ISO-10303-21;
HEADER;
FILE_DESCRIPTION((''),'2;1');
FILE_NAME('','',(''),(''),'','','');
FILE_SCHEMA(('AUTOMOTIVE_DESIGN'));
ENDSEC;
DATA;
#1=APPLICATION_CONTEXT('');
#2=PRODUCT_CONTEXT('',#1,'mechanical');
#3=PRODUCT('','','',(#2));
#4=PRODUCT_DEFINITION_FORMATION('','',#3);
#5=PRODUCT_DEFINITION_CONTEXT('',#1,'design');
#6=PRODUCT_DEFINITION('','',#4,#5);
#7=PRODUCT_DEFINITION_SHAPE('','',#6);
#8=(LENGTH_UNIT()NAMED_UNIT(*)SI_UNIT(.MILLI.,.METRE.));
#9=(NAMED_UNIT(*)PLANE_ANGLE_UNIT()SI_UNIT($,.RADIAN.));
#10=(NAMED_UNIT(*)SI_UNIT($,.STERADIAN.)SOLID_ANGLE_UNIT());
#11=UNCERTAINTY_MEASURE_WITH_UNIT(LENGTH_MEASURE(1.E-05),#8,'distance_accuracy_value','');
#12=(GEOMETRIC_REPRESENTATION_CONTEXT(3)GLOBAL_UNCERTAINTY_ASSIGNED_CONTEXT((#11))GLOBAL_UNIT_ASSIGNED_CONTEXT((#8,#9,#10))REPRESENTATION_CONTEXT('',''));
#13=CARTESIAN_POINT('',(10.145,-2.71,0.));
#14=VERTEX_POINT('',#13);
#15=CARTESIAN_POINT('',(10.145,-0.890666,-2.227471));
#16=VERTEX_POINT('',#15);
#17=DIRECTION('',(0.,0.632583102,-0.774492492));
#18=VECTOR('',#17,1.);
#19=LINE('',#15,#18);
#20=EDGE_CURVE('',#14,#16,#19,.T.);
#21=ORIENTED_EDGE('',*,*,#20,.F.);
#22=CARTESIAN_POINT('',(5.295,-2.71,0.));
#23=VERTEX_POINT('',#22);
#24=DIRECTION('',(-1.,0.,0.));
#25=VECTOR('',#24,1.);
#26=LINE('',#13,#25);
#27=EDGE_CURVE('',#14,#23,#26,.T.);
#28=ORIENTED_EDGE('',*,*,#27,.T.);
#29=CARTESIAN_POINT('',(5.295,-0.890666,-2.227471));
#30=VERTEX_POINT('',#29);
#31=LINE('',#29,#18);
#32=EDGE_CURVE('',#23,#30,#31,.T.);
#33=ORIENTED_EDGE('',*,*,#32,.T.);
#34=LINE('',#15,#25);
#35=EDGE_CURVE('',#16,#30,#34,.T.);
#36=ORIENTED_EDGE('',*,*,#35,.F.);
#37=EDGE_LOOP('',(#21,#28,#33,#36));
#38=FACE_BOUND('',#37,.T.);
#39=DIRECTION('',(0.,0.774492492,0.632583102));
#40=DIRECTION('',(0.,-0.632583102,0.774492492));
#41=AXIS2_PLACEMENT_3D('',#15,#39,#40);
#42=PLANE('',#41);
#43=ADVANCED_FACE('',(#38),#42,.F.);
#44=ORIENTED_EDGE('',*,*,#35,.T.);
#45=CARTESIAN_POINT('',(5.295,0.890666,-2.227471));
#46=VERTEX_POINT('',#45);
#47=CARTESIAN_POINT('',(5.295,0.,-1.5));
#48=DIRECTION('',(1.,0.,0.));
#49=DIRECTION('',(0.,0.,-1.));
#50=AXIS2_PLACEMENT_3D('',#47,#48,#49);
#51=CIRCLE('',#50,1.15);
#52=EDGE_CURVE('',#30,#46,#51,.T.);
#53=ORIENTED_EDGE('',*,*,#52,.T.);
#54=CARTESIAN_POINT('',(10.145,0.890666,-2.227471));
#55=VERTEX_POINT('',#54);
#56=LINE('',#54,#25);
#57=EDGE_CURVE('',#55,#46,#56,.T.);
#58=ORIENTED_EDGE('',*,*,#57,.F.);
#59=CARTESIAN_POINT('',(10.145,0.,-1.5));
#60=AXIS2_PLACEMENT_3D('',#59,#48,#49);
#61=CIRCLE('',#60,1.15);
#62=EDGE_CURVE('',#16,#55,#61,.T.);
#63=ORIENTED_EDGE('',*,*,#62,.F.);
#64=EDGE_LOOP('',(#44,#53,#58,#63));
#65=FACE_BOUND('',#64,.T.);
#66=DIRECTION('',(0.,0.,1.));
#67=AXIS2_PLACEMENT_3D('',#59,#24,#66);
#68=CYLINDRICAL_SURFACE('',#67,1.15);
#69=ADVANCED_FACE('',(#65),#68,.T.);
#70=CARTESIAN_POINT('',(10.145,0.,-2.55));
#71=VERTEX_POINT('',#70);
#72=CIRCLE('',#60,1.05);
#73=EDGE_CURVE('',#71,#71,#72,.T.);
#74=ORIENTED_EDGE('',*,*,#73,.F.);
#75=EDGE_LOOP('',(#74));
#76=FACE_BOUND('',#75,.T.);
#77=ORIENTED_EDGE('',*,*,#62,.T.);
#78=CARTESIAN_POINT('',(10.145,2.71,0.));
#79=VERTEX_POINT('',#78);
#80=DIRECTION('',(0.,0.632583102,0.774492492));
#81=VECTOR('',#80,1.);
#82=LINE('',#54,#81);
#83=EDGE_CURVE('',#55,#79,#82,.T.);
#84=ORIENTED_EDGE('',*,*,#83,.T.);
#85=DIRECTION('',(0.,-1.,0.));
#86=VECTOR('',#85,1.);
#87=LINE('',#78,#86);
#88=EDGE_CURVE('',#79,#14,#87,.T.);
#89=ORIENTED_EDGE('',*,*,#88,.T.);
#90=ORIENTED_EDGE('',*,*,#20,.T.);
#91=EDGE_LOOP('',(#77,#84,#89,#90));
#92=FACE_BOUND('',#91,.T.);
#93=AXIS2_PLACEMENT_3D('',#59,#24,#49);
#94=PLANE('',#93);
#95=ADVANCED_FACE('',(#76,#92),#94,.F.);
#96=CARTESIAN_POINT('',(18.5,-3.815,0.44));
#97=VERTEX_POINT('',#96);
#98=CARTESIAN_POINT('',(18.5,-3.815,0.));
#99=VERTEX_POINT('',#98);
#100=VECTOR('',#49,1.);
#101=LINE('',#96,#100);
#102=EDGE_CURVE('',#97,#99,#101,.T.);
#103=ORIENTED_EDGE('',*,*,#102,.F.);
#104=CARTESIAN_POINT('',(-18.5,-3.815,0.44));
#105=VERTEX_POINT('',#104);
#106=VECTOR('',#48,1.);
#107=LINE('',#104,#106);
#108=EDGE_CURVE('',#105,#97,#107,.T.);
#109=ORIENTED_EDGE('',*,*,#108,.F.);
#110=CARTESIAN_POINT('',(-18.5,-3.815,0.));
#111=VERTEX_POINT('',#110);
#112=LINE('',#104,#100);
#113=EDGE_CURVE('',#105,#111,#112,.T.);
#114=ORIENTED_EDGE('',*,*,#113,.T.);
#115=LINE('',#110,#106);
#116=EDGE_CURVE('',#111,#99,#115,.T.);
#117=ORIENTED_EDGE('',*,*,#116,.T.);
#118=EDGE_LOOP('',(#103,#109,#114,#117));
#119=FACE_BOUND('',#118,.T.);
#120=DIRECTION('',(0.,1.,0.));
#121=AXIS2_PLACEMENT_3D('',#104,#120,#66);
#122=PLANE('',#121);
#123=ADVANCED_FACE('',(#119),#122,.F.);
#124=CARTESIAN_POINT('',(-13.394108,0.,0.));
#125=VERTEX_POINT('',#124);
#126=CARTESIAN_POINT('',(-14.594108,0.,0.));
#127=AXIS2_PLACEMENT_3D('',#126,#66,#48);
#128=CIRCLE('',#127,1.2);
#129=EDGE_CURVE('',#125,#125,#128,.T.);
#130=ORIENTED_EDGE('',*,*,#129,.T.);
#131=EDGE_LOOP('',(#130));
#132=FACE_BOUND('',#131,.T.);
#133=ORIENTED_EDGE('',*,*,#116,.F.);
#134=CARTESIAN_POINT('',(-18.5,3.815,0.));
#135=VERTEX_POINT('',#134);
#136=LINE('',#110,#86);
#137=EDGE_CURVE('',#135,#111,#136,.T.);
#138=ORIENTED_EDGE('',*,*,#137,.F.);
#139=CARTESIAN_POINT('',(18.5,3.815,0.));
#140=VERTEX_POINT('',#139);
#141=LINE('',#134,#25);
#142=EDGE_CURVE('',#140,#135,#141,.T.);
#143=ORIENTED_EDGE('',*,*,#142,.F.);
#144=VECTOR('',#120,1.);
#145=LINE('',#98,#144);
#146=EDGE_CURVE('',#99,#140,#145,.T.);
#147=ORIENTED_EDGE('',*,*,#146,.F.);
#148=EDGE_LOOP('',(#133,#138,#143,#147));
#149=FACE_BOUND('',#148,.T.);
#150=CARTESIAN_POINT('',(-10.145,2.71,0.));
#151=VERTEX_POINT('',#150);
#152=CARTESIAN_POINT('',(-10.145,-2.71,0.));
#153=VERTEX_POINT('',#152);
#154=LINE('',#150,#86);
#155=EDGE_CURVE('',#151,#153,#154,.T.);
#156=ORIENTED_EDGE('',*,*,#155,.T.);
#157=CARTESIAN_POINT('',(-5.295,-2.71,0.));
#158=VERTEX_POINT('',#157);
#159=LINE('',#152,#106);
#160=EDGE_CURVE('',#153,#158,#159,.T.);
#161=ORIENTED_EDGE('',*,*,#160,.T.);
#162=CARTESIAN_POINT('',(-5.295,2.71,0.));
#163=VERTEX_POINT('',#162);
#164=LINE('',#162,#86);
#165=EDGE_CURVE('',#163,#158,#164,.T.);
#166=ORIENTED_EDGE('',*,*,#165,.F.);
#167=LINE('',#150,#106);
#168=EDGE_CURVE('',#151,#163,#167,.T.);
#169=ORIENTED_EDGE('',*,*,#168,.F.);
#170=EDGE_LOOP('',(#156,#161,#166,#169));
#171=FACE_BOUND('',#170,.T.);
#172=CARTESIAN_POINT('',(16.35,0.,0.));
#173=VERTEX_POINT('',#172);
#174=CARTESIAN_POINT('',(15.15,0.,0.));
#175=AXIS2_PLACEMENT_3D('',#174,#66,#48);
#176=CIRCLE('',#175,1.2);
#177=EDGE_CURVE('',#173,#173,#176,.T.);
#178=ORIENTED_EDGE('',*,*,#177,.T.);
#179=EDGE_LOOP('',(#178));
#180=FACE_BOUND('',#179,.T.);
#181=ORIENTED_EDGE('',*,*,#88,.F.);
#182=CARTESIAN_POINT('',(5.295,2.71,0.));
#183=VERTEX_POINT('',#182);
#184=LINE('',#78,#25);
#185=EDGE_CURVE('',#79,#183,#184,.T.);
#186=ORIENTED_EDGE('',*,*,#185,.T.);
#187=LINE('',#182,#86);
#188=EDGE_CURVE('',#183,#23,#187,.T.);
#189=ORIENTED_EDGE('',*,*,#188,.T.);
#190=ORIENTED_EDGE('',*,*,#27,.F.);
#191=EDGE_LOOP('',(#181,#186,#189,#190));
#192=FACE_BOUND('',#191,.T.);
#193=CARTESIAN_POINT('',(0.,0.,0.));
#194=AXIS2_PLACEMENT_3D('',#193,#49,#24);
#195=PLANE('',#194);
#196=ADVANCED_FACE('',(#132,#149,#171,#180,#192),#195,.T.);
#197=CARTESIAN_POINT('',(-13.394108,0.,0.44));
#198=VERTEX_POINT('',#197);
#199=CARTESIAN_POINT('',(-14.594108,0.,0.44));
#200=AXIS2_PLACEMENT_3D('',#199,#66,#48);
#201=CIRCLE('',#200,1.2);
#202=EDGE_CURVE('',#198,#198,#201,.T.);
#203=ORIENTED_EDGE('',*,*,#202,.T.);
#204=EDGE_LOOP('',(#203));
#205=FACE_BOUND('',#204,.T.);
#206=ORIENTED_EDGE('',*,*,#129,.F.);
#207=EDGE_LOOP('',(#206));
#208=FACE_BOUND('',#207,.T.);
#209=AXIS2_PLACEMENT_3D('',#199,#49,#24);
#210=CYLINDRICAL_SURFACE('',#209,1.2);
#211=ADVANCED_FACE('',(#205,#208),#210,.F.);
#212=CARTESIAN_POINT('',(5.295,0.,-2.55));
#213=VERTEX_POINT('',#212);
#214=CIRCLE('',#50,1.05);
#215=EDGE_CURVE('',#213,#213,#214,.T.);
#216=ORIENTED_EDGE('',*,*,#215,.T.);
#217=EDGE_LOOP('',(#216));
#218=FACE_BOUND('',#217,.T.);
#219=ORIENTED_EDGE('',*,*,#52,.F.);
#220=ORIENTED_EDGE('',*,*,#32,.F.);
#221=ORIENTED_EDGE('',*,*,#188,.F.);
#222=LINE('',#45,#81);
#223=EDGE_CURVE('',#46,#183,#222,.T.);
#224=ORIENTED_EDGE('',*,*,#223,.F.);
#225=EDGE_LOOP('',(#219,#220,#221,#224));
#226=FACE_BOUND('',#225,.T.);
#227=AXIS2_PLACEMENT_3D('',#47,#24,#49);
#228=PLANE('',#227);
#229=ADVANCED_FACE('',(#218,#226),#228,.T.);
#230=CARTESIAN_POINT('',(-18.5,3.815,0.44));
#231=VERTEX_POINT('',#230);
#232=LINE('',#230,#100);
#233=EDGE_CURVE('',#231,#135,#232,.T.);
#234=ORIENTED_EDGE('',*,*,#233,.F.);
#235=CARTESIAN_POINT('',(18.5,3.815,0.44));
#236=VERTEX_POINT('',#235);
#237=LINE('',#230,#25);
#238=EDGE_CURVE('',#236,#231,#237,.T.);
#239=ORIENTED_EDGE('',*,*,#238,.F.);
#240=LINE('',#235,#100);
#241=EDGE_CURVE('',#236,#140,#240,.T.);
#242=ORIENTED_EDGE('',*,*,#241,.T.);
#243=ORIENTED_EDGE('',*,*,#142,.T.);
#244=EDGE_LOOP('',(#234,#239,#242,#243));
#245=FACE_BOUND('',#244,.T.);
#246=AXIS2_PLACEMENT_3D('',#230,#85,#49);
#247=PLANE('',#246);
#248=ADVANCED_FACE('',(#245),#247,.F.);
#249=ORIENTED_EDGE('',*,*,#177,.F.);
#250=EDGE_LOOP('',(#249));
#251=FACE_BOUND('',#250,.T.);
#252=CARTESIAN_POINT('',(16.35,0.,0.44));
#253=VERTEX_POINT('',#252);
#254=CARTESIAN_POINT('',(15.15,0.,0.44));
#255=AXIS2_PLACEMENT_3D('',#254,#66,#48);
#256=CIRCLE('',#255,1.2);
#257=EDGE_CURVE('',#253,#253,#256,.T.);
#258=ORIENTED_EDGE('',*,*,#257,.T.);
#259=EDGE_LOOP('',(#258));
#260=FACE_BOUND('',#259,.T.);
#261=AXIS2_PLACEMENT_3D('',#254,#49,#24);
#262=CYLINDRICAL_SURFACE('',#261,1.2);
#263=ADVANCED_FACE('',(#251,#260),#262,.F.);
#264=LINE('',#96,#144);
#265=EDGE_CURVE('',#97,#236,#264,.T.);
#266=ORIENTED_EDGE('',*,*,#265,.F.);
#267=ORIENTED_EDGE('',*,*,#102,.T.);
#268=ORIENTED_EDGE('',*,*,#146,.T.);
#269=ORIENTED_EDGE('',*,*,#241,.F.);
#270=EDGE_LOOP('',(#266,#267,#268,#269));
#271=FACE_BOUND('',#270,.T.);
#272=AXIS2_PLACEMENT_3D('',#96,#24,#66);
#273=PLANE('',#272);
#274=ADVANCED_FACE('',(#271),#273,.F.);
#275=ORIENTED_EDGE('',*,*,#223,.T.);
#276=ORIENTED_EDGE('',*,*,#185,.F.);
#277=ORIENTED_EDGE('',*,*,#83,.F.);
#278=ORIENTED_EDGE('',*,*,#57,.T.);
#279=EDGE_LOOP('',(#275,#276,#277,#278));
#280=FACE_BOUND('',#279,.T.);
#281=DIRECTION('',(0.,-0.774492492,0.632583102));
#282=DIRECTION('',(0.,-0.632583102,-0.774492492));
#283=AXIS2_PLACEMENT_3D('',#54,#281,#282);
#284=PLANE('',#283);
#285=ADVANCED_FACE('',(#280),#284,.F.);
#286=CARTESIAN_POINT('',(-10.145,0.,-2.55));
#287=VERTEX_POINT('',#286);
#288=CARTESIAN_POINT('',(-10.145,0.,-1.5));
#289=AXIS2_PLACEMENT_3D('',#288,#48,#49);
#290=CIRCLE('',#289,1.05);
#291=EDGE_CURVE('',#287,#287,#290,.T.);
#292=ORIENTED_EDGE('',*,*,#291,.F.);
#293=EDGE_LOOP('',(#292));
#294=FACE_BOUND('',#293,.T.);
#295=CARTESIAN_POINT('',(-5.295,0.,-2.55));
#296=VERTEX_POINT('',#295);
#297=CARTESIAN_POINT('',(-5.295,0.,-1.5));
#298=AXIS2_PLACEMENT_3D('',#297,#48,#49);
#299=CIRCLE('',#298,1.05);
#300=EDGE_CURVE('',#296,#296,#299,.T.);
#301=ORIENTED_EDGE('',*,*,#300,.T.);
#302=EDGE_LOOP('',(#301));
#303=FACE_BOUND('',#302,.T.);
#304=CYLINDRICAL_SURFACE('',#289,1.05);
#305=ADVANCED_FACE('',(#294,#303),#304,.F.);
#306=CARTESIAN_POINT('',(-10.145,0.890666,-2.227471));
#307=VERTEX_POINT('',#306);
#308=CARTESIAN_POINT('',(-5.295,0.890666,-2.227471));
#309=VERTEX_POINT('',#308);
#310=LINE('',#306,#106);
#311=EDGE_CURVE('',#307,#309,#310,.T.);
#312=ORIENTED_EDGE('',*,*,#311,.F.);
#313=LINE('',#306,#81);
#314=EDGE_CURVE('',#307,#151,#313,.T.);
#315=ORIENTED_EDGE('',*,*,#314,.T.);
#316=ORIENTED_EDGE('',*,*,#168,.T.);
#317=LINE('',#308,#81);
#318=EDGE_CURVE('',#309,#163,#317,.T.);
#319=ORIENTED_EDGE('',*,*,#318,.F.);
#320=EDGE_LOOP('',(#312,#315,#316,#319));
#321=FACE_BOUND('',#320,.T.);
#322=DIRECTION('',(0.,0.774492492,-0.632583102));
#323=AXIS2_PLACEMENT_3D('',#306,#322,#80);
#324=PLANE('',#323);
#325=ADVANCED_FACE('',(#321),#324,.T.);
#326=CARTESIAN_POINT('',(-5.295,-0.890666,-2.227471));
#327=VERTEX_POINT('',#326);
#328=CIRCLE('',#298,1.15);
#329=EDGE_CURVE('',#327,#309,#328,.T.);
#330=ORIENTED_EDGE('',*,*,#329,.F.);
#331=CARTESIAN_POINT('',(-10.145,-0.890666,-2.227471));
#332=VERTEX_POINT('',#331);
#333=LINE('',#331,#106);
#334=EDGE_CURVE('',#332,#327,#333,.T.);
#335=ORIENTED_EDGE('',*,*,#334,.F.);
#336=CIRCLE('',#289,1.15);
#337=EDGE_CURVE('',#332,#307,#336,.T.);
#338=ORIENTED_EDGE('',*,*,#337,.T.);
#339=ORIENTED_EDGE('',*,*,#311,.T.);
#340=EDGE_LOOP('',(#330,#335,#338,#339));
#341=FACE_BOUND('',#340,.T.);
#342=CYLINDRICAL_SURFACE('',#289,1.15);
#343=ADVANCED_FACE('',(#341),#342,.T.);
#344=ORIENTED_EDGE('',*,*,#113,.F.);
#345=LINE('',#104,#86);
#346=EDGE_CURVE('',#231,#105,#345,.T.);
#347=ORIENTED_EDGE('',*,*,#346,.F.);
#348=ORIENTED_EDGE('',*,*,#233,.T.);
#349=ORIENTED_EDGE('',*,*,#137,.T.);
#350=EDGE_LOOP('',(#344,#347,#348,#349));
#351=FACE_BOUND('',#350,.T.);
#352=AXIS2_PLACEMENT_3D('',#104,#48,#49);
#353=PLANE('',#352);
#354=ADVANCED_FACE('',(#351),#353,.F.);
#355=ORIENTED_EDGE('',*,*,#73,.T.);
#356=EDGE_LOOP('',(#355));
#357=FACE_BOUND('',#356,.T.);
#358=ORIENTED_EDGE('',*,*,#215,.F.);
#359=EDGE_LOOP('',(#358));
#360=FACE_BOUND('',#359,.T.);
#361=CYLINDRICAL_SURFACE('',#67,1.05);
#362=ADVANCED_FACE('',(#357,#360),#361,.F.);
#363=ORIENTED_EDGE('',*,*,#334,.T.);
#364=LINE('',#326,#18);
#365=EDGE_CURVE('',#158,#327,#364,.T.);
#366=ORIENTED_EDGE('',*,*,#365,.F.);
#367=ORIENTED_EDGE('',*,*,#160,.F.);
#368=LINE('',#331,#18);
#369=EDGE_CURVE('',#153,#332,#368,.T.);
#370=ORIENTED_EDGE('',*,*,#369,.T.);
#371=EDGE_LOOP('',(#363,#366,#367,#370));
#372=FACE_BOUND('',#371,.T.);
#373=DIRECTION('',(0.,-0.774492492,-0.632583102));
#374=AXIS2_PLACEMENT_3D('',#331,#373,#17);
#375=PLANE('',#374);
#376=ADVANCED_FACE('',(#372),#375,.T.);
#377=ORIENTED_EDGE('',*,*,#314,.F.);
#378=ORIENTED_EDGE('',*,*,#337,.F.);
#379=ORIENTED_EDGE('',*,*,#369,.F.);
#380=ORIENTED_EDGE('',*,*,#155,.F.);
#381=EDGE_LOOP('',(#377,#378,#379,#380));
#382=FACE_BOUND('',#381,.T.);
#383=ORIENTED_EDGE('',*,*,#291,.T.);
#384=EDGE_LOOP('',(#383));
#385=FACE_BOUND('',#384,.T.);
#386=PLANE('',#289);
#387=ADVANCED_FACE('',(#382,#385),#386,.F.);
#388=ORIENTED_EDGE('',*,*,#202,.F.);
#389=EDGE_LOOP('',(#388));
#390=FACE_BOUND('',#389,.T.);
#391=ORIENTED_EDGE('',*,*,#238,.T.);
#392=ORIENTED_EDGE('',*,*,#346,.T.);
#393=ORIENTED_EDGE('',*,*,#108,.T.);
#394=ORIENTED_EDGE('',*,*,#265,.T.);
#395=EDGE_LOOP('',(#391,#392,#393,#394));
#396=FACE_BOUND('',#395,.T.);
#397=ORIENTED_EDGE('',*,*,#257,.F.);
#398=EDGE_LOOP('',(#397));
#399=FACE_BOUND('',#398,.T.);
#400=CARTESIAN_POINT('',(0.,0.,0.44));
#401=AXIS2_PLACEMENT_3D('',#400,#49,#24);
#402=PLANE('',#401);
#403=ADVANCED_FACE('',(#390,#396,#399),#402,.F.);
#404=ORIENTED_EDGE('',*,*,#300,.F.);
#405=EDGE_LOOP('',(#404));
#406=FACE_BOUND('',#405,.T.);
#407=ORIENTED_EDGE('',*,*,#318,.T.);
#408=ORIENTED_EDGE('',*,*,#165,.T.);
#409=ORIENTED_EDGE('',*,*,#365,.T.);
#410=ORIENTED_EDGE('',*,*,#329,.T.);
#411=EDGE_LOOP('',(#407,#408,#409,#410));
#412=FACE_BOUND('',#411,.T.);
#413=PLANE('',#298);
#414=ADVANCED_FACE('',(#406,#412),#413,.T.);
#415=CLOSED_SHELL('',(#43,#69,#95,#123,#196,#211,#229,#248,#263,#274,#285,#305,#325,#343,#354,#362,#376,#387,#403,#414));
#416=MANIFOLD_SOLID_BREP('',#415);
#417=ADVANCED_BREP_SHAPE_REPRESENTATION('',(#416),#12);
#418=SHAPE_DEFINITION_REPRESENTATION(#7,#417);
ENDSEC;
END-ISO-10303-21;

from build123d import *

# Parameters (mm, degrees)
SKETCH1_W           = 37
SKETCH1_H           = 7.63
SKETCH1_R           = 1.2
BOSS_EXTRUDE1_DEPTH = 0.44
SKETCH3_R           = 1.05
BOSS_EXTRUDE2_DEPTH = 4.85


with BuildPart() as part:
    # Sketch1 → Boss-Extrude1 (new body)
    with BuildSketch(Plane.XY):
        Rectangle(SKETCH1_W, SKETCH1_H)
        with Locations((-14.59410802, 0)):
            Circle(SKETCH1_R, mode=Mode.SUBTRACT)
        with Locations((15.15, 0)):
            Circle(SKETCH1_R, mode=Mode.SUBTRACT)
    extrude(amount=BOSS_EXTRUDE1_DEPTH)

    # Sketch3 → Boss-Extrude2 (add)
    with BuildSketch(Plane(origin=(-5.295, 0, 0), x_dir=(0, 0, -1), z_dir=(1, 0, 0))):
        with BuildLine():
            Line((2.227470567, 0.890666365), (0, 2.71))
            Line((0, 2.71), (0, -2.71))
            Line((0, -2.71), (2.227470567, -0.890666365))
            ThreePointArc((2.227470567, -0.890666365), (2.65, 0), (2.227470567, 0.890666365))
        make_face()
        with Locations((1.5, 0)):
            Circle(SKETCH3_R, mode=Mode.SUBTRACT)
    boss_extrude2 = extrude(amount=-BOSS_EXTRUDE2_DEPTH)

    # Mirror1: Boss-Extrude2 across plane
    add(boss_extrude2.mirror(Plane(origin=(0, 0, 0), x_dir=(0, 0, 1), z_dir=(1, 0, 0))))


solid = part.part
